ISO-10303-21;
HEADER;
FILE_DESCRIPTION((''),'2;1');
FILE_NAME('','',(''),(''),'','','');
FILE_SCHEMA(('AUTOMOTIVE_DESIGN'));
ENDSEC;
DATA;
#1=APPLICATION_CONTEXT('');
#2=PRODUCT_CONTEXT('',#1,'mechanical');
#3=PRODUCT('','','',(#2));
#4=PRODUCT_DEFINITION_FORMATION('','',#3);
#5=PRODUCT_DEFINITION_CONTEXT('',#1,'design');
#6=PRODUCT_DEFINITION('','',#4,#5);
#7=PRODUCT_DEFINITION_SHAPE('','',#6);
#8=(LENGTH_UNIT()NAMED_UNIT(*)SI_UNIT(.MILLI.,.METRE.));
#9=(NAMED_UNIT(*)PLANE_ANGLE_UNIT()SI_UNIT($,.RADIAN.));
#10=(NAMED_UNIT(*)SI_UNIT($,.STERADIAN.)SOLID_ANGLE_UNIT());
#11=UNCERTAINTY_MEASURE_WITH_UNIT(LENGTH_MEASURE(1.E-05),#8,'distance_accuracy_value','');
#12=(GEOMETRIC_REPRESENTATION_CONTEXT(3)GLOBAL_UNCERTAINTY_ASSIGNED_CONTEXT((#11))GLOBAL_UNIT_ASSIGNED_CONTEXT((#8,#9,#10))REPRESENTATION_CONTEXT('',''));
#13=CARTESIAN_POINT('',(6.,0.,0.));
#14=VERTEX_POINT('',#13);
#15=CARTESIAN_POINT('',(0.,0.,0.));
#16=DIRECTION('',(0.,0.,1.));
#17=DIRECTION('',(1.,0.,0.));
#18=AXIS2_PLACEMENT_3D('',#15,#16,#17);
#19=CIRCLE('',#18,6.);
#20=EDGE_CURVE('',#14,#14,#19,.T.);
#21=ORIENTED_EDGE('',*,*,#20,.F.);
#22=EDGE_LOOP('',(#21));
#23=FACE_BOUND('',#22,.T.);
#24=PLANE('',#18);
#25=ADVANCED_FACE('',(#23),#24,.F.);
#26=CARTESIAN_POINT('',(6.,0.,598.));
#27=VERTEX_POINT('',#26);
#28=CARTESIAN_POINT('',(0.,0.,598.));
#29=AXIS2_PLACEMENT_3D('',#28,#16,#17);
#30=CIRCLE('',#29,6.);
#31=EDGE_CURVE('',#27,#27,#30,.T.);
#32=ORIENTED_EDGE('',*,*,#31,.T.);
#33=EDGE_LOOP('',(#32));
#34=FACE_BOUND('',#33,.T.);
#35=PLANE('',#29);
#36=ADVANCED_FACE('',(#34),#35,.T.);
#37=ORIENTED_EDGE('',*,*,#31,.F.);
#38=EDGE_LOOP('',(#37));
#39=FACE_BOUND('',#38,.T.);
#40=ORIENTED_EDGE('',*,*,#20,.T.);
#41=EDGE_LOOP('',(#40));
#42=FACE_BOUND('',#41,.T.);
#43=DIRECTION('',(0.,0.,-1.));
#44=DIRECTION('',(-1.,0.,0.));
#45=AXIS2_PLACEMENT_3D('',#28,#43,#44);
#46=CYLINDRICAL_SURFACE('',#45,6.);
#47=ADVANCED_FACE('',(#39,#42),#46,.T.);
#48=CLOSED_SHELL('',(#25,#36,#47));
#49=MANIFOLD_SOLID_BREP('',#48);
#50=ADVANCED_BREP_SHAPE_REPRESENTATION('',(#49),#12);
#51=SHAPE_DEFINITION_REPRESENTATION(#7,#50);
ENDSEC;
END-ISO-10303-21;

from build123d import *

# Parameters (mm, degrees)
IZIM1_R                     = 6
Y_KSEKLIK_EKSTR_ZYON1_DEPTH = 598


with BuildPart() as part:
    # Çizim1 → Yükseklik-Ekstrüzyon1 (new body)
    with BuildSketch(Plane.XY):
        Circle(IZIM1_R)
    extrude(amount=Y_KSEKLIK_EKSTR_ZYON1_DEPTH)


solid = part.part
